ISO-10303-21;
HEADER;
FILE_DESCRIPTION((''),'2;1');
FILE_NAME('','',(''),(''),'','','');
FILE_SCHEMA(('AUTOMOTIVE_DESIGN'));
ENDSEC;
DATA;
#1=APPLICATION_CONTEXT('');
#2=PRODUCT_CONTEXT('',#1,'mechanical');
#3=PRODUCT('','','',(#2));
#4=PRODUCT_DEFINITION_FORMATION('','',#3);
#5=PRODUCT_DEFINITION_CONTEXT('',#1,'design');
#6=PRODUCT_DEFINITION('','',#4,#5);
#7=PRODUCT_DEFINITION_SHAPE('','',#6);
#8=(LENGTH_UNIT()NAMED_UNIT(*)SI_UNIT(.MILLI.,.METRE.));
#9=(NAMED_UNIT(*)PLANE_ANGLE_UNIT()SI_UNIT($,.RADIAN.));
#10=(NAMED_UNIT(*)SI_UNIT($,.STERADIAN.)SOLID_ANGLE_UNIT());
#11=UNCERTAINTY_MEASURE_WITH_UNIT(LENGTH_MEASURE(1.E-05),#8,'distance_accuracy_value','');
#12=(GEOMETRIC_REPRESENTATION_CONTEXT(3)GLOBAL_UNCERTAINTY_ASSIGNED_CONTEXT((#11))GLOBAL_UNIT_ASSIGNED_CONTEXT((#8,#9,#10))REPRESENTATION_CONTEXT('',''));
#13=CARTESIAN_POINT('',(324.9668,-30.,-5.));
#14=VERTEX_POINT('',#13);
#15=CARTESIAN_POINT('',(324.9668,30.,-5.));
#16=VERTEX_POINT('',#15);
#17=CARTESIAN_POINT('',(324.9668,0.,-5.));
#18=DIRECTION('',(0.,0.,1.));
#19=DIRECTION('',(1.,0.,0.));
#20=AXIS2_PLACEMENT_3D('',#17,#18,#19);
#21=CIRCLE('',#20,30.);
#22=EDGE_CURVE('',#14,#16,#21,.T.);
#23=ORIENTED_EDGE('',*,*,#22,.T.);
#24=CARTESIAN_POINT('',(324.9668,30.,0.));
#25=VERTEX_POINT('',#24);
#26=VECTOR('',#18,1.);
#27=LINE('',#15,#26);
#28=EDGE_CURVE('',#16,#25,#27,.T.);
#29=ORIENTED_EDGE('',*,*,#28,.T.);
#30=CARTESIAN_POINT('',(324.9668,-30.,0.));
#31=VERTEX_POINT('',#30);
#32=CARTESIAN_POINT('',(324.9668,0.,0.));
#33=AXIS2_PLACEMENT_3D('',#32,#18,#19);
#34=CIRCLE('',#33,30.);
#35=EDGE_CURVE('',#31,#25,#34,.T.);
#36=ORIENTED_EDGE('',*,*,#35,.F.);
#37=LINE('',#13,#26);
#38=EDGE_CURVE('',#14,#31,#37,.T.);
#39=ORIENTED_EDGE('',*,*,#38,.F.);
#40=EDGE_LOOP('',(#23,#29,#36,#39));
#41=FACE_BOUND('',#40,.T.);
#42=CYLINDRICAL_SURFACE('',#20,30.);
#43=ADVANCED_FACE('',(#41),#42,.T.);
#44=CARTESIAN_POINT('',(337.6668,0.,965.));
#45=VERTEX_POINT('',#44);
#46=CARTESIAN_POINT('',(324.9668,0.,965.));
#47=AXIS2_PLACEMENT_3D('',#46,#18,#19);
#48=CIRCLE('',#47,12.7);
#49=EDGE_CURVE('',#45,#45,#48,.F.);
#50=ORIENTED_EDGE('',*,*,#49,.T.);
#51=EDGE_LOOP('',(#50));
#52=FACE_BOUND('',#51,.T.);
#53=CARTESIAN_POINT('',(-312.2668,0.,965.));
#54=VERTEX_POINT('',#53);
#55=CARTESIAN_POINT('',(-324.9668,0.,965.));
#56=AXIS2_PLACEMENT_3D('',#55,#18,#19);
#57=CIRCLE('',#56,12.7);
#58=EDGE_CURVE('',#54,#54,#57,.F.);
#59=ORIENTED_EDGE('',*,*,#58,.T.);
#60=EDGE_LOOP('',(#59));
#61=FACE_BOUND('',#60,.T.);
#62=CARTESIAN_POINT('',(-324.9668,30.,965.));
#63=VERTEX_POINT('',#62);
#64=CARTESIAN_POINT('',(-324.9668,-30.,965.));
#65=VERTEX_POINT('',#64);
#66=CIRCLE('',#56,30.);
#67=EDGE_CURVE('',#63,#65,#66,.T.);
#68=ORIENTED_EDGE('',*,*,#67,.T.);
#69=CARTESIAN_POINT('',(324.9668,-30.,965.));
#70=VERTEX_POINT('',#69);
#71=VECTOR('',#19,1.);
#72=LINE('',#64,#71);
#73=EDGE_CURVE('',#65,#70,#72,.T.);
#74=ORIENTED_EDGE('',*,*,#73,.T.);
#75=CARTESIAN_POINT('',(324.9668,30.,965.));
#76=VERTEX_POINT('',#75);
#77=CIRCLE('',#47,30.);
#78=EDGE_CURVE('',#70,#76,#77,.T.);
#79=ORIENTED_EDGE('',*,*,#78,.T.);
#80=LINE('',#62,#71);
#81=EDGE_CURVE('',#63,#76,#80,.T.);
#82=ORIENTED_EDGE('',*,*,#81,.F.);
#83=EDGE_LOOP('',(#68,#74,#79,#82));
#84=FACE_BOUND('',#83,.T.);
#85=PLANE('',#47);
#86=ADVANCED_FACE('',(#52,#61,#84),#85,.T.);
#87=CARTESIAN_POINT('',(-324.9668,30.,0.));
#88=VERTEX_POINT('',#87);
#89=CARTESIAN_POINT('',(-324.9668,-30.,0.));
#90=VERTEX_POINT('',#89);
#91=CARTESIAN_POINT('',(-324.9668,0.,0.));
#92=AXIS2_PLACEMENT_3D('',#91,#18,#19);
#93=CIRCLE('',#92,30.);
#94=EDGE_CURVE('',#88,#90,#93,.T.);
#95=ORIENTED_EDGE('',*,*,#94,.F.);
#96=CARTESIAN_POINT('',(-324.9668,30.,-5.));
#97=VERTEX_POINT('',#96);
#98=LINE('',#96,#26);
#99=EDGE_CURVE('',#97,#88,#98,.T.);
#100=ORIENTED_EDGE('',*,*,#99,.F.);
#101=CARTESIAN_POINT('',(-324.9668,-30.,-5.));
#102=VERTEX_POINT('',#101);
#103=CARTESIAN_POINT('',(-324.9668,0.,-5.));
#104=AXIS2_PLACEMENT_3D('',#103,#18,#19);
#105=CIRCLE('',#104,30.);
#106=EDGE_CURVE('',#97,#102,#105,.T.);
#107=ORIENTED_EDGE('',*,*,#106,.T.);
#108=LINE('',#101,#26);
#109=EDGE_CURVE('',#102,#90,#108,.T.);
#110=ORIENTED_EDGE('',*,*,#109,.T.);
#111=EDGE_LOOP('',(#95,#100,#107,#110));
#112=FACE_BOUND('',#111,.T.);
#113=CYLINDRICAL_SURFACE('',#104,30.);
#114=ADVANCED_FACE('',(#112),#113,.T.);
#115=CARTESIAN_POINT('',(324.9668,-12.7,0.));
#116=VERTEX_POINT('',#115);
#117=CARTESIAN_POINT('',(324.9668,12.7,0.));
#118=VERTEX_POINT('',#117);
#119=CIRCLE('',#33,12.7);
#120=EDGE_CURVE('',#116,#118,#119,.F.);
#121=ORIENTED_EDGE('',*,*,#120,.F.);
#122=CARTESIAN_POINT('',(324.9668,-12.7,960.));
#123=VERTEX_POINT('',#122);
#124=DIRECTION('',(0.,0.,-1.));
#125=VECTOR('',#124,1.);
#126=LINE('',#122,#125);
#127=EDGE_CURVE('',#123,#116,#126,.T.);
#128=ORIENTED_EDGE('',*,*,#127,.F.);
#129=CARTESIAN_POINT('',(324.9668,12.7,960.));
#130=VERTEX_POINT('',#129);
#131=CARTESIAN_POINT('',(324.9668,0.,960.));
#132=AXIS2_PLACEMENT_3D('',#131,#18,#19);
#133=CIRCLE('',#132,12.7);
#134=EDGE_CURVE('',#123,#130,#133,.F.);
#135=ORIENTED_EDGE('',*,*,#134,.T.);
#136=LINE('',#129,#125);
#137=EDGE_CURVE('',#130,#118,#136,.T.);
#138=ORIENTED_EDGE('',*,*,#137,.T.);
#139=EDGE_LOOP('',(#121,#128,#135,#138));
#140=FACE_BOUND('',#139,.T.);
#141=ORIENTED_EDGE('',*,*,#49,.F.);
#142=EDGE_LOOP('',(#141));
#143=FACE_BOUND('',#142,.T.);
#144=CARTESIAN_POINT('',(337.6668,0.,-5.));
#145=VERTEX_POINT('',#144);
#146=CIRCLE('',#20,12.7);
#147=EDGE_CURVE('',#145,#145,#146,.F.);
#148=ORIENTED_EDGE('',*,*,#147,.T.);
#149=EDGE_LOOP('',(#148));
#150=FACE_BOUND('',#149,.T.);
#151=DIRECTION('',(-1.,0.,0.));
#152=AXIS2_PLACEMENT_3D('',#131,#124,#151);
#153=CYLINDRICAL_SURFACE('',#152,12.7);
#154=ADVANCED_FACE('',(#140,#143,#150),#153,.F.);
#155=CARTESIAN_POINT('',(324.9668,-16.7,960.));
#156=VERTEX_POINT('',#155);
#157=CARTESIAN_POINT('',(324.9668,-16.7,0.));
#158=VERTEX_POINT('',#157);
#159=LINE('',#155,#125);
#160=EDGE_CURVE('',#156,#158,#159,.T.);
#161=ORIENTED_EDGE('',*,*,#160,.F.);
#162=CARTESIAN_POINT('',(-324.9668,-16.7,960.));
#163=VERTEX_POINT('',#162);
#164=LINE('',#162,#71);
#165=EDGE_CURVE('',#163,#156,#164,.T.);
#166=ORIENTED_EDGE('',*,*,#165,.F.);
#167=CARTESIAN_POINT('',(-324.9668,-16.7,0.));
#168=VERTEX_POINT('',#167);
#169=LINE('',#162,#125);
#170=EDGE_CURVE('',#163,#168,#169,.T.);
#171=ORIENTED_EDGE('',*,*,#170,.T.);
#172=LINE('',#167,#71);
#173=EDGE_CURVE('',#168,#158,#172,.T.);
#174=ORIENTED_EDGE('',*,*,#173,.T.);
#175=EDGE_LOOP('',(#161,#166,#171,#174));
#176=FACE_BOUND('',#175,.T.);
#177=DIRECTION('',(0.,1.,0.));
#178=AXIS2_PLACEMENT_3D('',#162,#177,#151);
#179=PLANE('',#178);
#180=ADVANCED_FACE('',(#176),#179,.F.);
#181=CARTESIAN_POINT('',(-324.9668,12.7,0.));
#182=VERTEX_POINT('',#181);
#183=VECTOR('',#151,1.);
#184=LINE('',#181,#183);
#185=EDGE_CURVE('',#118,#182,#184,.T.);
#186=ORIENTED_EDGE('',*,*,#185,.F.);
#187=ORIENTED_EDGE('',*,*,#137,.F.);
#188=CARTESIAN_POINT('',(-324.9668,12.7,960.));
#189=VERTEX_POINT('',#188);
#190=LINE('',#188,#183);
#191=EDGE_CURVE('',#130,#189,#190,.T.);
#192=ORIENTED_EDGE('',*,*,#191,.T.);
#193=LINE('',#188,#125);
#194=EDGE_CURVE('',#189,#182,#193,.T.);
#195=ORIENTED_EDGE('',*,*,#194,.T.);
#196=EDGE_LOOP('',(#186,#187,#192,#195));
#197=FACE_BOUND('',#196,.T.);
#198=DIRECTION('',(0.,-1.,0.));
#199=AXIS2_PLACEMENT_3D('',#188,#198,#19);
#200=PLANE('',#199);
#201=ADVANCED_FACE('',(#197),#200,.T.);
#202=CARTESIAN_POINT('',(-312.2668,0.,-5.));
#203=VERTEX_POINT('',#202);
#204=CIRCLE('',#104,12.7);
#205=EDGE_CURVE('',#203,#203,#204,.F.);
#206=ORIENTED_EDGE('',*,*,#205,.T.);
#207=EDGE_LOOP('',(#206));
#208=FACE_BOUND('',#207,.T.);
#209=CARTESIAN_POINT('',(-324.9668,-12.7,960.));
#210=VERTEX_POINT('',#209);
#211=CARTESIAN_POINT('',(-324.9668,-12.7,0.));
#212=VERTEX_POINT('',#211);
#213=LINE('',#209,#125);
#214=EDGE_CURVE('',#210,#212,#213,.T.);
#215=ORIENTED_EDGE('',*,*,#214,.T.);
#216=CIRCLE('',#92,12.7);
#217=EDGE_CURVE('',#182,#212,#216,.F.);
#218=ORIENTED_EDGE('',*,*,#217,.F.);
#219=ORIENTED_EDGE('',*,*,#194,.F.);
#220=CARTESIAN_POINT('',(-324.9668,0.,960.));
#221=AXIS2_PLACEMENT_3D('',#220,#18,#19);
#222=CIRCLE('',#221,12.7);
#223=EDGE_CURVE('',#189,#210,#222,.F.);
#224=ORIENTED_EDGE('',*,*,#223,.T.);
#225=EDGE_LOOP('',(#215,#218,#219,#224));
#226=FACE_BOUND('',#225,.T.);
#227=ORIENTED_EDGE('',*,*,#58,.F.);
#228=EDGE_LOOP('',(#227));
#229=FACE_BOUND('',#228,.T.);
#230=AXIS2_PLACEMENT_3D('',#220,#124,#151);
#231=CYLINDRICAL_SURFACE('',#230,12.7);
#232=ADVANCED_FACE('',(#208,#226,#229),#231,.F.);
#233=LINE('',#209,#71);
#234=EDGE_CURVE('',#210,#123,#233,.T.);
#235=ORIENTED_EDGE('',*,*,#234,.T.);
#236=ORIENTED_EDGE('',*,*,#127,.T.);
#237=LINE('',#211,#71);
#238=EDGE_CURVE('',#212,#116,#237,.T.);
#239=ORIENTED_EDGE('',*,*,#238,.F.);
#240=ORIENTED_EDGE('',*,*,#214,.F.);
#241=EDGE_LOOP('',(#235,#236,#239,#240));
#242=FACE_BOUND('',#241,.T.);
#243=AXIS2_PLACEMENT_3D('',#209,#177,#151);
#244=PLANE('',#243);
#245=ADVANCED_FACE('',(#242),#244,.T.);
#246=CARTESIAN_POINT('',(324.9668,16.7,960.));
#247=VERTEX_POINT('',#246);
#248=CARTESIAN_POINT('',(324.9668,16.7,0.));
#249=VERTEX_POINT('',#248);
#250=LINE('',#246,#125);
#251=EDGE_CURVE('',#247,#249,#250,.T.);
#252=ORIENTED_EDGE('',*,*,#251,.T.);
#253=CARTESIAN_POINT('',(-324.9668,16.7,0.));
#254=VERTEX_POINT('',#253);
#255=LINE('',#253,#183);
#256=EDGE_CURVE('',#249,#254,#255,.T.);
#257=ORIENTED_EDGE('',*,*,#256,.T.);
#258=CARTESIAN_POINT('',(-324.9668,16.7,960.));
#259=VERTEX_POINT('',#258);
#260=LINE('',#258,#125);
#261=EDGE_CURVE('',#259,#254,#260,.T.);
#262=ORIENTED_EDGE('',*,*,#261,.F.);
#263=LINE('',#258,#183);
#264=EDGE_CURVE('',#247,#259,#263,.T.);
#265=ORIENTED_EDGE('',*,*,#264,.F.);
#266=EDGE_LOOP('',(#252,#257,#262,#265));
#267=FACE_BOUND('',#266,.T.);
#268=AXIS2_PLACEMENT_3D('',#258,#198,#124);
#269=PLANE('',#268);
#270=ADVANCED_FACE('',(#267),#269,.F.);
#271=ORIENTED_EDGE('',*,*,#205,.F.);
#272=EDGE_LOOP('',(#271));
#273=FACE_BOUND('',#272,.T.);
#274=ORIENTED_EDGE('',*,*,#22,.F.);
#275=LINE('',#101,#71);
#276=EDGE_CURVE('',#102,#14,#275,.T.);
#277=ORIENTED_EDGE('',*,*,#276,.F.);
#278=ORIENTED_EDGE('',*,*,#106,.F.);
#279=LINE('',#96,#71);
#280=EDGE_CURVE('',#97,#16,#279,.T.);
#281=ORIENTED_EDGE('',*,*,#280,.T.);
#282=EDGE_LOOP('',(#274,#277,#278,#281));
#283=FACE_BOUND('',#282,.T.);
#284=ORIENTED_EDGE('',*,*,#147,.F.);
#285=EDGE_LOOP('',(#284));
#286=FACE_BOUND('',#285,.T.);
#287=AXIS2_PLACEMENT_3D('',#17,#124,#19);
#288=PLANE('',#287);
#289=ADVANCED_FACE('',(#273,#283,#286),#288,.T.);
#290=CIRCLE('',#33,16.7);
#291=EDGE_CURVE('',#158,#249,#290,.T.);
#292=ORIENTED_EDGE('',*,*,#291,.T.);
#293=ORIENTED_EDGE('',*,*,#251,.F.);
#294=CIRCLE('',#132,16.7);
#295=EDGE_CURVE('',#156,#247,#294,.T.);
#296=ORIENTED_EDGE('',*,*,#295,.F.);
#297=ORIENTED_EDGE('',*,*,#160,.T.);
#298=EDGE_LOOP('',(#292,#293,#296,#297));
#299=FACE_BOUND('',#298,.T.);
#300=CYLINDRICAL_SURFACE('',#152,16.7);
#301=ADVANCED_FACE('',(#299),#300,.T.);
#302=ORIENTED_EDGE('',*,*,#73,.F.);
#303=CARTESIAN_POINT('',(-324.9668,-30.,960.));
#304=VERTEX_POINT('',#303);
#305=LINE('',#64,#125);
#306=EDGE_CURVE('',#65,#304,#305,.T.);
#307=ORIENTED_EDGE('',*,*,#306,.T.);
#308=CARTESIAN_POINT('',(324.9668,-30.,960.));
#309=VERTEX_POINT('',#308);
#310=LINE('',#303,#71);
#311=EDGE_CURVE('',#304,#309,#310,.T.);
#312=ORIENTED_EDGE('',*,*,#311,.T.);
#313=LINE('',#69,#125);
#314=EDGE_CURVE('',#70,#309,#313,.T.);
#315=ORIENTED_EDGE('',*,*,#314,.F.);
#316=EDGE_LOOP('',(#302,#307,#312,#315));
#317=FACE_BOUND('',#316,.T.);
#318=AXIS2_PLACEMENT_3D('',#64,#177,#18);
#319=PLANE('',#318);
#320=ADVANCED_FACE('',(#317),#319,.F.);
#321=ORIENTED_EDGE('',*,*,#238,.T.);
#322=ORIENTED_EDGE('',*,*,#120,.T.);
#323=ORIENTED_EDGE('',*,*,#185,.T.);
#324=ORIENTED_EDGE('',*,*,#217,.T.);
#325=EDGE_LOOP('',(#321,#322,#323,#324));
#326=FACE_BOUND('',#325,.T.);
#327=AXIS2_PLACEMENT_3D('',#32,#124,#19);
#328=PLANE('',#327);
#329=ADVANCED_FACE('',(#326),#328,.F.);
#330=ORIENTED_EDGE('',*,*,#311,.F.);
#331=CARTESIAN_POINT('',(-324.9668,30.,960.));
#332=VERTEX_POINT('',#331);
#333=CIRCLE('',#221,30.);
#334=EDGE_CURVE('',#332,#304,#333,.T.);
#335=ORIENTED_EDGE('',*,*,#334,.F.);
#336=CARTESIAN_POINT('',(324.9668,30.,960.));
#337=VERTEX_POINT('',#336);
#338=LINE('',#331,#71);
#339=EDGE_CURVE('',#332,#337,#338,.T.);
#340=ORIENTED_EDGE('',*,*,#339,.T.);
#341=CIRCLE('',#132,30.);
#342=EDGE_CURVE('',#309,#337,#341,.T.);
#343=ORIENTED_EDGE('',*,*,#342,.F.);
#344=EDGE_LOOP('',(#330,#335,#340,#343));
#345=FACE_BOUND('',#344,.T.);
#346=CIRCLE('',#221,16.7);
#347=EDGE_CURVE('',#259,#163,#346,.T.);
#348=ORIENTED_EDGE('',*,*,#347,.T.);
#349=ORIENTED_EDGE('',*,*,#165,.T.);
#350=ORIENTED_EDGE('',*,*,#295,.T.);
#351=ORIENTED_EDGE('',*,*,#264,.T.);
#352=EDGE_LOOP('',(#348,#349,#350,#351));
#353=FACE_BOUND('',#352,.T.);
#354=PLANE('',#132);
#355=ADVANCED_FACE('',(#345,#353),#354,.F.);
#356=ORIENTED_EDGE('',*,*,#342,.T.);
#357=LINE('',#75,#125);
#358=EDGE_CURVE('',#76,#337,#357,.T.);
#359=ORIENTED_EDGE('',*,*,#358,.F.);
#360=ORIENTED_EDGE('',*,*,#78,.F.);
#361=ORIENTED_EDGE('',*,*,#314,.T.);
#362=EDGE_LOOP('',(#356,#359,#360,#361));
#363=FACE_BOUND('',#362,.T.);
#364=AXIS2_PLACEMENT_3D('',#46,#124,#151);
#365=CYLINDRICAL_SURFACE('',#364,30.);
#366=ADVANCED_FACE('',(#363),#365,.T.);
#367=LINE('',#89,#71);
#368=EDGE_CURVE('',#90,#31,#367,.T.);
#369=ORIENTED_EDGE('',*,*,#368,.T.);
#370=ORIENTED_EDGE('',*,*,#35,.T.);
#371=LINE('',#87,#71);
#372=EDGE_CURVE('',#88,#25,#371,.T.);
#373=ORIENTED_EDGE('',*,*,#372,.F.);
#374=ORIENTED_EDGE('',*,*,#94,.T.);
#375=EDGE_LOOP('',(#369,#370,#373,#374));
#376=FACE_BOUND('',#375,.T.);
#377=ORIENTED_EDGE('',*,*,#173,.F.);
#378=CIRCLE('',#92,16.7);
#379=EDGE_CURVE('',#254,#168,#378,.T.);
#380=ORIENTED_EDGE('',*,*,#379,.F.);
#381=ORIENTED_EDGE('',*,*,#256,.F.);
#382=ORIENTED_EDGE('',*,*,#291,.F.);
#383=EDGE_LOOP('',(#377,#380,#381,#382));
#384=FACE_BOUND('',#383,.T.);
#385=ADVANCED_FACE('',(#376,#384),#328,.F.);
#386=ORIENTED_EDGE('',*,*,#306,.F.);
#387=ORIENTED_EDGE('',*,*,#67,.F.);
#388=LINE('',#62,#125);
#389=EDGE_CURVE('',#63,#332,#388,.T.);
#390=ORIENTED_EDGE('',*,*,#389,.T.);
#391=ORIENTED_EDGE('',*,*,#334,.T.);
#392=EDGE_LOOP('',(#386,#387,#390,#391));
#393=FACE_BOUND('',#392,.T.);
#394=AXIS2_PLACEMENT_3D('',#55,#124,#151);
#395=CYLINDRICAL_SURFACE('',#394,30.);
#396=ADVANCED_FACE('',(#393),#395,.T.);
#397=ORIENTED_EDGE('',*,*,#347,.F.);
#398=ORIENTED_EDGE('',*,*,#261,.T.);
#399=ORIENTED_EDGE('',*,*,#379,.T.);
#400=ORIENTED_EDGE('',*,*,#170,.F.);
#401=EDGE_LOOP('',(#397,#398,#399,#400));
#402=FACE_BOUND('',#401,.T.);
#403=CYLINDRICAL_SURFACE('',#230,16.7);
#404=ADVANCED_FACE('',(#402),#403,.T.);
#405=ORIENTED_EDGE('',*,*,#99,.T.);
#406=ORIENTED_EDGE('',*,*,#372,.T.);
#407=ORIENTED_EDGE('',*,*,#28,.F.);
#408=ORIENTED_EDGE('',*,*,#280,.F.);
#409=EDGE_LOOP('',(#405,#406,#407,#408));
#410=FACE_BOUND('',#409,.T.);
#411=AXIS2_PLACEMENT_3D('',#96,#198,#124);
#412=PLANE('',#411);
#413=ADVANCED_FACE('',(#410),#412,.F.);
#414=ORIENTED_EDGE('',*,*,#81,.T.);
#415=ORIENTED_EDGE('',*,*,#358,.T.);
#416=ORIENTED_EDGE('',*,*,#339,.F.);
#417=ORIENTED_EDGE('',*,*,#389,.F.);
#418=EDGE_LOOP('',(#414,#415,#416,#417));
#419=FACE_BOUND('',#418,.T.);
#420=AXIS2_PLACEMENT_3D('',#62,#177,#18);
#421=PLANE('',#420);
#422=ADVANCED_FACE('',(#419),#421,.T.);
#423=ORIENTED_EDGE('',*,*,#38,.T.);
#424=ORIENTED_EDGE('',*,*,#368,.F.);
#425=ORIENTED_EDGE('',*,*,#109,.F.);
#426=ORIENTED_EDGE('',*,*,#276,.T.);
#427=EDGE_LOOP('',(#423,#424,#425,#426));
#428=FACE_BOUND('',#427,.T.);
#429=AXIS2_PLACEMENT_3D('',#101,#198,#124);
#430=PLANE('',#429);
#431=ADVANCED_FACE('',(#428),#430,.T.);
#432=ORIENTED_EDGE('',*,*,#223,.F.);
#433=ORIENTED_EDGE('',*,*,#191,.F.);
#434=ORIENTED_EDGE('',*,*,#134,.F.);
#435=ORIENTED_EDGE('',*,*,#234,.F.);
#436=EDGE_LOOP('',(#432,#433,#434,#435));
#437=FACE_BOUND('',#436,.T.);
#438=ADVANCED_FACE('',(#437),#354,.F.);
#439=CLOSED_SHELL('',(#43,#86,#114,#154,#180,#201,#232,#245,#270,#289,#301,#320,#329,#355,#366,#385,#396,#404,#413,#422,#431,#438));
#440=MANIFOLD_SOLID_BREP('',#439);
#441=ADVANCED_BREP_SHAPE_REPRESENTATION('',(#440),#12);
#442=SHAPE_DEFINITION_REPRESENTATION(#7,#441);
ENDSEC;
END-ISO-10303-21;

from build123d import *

# Parameters (mm, degrees)
BOSS_EXTRUDE1_DEPTH = 960
SKETCH2_R           = 12.7
BOSS_EXTRUDE2_DEPTH = 5


with BuildPart() as part:
    # Sketch1 → Boss-Extrude1 (new body)
    with BuildSketch(Plane.XY):
        with BuildLine():
            Line((-324.9668, 16.7), (324.9668, 16.7))
            ThreePointArc((324.9668, 16.7), (341.6668, 0), (324.9668, -16.7))
            Line((324.9668, -16.7), (-324.9668, -16.7))
            ThreePointArc((-324.9668, -16.7), (-341.6668, 0), (-324.9668, 16.7))
        make_face()
        with BuildLine():
            Line((-324.9668, 12.7), (324.9668, 12.7))
            ThreePointArc((324.9668, 12.7), (337.6668, 0), (324.9668, -12.7))
            Line((324.9668, -12.7), (-324.9668, -12.7))
            ThreePointArc((-324.9668, -12.7), (-337.6668, 0), (-324.9668, 12.7))
        make_face(mode=Mode.SUBTRACT)
    extrude(amount=BOSS_EXTRUDE1_DEPTH)

    # Sketch2 → Boss-Extrude2 (add)
    with BuildSketch(Plane.XY.offset(960)):
        with BuildLine():
            Line((-324.9668, 30), (324.9668, 30))
            ThreePointArc((324.9668, 30), (354.9668, 0), (324.9668, -30))
            Line((324.9668, -30), (-324.9668, -30))
            ThreePointArc((-324.9668, -30), (-354.9668, 0), (-324.9668, 30))
        make_face()
        with Locations(Location((324.9668, 0, 0), (0, 0, 90))):
            Circle(SKETCH2_R, mode=Mode.SUBTRACT)
        with Locations(Location((-324.9668, 0, 0), (0, 0, 270))):
            Circle(SKETCH2_R, mode=Mode.SUBTRACT)
    boss_extrude2 = extrude(amount=BOSS_EXTRUDE2_DEPTH)

    # Mirror1: Boss-Extrude2 across plane
    add(boss_extrude2.mirror(Plane.XY.offset(480)))


solid = part.part
